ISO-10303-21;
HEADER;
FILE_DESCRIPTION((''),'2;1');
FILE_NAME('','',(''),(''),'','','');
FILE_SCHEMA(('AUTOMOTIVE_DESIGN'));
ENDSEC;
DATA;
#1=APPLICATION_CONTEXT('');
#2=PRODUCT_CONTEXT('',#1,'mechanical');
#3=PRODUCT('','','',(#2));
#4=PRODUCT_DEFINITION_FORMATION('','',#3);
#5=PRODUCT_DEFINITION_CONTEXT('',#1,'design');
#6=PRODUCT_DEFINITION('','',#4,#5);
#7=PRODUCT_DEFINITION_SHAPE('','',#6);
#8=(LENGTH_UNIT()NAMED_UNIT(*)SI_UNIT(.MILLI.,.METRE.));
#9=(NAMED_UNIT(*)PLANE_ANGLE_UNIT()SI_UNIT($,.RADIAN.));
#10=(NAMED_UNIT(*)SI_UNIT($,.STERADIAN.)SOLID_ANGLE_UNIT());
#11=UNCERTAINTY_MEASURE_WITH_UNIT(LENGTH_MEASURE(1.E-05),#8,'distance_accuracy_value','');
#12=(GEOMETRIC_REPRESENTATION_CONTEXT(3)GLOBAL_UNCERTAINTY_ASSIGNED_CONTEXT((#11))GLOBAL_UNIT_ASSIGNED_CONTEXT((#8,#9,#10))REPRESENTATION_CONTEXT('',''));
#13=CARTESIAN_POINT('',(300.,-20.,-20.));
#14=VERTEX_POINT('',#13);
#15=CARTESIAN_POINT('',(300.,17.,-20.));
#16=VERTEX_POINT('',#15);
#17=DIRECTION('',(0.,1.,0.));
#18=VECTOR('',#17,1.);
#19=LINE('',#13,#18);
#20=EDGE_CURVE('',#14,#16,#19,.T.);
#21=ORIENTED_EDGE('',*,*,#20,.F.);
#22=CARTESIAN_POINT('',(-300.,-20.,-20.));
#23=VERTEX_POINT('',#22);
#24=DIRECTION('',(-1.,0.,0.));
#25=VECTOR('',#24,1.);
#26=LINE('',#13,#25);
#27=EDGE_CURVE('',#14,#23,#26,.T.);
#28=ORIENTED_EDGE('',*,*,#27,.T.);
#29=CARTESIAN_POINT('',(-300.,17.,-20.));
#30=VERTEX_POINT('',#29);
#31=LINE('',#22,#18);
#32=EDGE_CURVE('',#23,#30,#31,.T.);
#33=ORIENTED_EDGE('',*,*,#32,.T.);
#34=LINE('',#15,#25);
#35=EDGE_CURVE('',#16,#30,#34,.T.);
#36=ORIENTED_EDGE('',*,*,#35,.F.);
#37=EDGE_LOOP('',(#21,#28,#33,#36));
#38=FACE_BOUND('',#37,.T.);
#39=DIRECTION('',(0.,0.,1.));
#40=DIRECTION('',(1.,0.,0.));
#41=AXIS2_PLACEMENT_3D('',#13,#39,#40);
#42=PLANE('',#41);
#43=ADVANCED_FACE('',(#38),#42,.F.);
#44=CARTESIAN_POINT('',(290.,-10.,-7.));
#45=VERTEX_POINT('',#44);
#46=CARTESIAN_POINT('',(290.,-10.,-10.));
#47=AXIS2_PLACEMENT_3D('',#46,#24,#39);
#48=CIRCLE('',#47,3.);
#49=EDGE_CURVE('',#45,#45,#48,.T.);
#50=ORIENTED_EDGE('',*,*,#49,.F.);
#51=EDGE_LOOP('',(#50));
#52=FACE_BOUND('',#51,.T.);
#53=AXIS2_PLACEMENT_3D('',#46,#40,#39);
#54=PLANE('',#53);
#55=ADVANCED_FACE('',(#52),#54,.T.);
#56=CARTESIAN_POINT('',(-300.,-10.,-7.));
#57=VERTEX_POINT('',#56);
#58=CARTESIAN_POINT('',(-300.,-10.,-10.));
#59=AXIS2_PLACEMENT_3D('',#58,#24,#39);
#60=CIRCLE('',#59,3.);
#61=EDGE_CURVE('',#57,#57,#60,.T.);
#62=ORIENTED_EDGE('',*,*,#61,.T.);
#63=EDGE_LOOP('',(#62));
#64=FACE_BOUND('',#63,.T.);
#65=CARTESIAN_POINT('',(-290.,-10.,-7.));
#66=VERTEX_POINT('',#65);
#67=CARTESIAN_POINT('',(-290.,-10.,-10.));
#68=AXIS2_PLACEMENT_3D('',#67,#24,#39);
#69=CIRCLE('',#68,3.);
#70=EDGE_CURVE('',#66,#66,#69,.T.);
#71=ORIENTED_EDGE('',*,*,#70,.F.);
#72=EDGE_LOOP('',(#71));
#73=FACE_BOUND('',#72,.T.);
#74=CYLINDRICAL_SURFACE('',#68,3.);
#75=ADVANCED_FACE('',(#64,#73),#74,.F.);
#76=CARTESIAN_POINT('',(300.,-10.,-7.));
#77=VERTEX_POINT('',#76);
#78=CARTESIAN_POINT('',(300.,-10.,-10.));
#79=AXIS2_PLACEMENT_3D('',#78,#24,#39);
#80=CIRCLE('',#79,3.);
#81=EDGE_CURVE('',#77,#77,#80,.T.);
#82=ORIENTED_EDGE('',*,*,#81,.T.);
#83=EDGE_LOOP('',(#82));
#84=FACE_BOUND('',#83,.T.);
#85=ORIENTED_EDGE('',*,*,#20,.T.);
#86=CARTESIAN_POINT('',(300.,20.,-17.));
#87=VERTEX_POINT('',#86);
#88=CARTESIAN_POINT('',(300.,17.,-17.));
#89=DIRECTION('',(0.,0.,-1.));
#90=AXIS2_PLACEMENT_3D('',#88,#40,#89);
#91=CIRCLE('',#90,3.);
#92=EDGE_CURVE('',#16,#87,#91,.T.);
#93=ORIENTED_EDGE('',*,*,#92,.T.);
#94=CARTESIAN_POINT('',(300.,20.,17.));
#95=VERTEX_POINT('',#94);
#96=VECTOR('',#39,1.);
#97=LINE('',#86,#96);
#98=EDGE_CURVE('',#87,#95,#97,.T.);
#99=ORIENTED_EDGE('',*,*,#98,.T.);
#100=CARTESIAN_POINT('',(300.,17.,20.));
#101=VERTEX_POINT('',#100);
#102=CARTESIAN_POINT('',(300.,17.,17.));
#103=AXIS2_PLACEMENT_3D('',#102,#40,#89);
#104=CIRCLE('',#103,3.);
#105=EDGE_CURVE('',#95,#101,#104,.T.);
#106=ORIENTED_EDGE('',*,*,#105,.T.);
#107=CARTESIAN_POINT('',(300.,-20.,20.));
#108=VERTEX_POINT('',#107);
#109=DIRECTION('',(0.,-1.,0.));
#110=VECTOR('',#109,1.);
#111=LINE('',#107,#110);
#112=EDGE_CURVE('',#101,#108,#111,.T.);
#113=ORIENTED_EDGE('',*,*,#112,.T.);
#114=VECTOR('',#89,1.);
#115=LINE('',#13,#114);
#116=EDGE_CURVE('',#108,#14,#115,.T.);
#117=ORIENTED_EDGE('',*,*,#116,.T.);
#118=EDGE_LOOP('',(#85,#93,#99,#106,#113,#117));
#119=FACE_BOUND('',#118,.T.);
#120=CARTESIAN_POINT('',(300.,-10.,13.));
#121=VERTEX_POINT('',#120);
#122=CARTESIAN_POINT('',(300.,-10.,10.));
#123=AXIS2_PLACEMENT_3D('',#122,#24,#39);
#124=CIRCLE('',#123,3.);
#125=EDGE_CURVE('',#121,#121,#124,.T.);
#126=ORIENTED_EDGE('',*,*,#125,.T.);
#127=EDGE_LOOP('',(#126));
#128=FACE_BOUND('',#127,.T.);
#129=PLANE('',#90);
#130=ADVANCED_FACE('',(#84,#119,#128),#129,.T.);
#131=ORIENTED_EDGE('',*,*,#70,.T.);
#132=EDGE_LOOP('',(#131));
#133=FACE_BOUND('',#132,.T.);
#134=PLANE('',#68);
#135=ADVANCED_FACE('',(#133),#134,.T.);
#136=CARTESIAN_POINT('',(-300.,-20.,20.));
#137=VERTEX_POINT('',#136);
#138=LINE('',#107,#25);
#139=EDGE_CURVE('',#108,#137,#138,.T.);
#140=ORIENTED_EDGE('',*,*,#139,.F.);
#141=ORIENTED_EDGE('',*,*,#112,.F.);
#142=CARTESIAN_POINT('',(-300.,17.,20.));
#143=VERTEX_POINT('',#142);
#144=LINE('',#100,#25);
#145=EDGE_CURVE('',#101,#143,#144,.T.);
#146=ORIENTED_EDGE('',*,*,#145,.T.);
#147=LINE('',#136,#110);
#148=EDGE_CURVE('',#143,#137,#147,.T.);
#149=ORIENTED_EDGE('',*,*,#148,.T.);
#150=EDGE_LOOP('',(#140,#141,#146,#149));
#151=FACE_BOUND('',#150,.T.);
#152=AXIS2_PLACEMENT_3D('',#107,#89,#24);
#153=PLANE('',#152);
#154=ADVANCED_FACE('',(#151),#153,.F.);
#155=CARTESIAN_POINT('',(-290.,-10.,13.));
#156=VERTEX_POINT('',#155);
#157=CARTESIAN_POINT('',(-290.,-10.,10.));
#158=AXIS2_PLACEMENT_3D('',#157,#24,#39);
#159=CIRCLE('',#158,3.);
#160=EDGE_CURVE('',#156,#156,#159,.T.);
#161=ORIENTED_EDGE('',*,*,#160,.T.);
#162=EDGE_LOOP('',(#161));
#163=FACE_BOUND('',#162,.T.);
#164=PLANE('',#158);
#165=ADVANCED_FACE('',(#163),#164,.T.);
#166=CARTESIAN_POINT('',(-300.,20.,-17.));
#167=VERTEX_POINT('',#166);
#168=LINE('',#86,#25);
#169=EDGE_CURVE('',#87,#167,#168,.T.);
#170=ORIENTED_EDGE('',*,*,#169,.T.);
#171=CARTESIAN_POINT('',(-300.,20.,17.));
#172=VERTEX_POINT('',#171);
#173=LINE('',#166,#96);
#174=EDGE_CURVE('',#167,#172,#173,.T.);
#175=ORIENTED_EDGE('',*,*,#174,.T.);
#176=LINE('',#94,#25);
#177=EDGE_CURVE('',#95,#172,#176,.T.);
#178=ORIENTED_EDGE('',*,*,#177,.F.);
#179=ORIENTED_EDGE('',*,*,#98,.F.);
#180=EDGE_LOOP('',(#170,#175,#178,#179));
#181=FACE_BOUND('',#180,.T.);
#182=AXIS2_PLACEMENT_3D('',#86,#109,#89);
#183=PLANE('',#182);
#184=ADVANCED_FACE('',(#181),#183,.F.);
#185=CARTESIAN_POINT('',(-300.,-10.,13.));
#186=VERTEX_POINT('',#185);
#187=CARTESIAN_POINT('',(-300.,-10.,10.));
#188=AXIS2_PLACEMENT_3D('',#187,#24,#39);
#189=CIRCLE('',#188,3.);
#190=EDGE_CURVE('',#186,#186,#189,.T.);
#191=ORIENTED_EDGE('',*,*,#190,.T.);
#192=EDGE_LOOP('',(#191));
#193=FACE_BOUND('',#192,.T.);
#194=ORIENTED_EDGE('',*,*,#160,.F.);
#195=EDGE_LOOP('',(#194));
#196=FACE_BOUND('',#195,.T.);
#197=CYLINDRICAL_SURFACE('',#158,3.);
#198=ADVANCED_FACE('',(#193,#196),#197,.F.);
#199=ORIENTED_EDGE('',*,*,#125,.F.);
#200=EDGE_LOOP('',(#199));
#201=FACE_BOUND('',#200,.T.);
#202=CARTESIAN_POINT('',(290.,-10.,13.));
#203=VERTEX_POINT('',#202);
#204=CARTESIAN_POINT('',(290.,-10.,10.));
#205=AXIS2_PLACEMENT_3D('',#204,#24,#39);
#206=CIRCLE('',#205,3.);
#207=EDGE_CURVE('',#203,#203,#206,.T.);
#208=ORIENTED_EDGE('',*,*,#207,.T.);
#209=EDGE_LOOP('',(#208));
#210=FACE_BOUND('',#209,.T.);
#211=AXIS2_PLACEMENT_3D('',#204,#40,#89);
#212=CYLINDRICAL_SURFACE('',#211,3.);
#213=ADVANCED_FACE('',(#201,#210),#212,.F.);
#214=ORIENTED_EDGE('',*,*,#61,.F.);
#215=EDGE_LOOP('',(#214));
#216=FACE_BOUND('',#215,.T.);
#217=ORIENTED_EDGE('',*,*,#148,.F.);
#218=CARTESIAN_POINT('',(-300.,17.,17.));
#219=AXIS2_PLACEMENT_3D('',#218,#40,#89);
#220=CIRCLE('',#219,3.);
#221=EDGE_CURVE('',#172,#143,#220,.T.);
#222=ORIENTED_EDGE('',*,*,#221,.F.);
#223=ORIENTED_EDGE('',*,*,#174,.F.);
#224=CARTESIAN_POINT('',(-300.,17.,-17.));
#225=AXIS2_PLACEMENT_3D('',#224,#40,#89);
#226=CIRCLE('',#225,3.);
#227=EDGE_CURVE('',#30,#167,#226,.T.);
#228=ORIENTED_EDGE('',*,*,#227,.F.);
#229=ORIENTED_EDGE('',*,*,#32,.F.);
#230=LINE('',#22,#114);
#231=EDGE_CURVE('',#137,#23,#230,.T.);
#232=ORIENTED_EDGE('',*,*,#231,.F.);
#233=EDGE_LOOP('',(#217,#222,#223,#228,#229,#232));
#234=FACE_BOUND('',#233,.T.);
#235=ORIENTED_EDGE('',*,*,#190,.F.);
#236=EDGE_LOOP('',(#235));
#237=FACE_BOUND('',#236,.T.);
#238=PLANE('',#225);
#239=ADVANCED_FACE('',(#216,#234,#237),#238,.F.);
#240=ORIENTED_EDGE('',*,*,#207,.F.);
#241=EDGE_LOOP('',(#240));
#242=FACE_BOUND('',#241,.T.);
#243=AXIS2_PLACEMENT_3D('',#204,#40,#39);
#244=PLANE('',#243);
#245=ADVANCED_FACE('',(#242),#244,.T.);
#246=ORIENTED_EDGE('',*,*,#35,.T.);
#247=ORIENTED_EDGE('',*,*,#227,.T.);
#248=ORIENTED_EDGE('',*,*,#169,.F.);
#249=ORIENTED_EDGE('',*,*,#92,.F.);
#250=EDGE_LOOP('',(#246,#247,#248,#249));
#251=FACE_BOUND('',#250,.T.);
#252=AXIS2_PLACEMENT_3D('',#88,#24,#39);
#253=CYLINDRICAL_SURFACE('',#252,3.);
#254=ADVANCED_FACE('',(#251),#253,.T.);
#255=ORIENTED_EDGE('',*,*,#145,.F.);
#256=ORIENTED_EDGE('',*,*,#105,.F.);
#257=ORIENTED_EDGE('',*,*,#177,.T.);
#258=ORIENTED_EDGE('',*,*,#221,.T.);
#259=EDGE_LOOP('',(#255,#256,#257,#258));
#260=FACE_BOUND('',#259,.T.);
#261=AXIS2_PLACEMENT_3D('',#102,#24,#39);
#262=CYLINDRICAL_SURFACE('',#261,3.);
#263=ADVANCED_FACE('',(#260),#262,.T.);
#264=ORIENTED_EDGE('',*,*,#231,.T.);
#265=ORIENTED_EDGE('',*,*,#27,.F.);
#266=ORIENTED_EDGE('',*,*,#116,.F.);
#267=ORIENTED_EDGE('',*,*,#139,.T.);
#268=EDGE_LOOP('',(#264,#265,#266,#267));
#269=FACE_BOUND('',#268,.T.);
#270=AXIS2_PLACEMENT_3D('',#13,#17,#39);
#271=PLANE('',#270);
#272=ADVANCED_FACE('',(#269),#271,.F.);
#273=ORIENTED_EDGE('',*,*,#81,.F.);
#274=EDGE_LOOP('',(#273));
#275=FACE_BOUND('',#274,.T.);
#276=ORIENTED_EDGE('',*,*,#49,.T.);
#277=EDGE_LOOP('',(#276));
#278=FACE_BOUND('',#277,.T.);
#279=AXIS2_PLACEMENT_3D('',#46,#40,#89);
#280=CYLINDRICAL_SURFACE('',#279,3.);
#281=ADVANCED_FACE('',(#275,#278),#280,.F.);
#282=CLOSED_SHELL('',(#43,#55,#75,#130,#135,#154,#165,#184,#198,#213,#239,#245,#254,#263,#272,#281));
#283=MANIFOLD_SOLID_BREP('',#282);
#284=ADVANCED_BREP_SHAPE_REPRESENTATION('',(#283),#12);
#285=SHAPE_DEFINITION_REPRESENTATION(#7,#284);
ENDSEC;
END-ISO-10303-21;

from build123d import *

# Parameters (mm, degrees)
SALIENTE_EXTRUIR1_DEPTH = 300
CROQUIS2_R              = 3
CORTAR_EXTRUIR1_DEPTH   = 10


with BuildPart() as part:
    # Croquis1 → Saliente-Extruir1 (new, symmetric)
    with BuildSketch(Plane(origin=(0, 0, 0), x_dir=(0, 0, -1), z_dir=(1, 0, 0))):
        with BuildLine():
            Line((20, -20), (-20, -20))
            Line((-20, -20), (-20, 17))
            ThreePointArc((-20, 17), (-19.121320344, 19.121320344), (-17, 20))
            Line((-17, 20), (17, 20))
            ThreePointArc((17, 20), (19.121320344, 19.121320344), (20, 17))
            Line((20, 17), (20, -20))
        make_face()
    extrude(amount=SALIENTE_EXTRUIR1_DEPTH, both=True)

    # Croquis2 → Cortar-Extruir1 (cut)
    with BuildSketch(Plane.ZY.offset(300)):
        with Locations((-10, -10)):
            Circle(CROQUIS2_R)
        with Locations((10, -10)):
            Circle(CROQUIS2_R)
    cortar_extruir1 = extrude(amount=-CORTAR_EXTRUIR1_DEPTH, mode=Mode.SUBTRACT)

    # Simetría1: Cortar-Extruir1 across plane
    add(cortar_extruir1.mirror(Plane(origin=(0, 0, 0), x_dir=(0, 0, 1), z_dir=(1, 0, 0))), mode=Mode.SUBTRACT)


solid = part.part
